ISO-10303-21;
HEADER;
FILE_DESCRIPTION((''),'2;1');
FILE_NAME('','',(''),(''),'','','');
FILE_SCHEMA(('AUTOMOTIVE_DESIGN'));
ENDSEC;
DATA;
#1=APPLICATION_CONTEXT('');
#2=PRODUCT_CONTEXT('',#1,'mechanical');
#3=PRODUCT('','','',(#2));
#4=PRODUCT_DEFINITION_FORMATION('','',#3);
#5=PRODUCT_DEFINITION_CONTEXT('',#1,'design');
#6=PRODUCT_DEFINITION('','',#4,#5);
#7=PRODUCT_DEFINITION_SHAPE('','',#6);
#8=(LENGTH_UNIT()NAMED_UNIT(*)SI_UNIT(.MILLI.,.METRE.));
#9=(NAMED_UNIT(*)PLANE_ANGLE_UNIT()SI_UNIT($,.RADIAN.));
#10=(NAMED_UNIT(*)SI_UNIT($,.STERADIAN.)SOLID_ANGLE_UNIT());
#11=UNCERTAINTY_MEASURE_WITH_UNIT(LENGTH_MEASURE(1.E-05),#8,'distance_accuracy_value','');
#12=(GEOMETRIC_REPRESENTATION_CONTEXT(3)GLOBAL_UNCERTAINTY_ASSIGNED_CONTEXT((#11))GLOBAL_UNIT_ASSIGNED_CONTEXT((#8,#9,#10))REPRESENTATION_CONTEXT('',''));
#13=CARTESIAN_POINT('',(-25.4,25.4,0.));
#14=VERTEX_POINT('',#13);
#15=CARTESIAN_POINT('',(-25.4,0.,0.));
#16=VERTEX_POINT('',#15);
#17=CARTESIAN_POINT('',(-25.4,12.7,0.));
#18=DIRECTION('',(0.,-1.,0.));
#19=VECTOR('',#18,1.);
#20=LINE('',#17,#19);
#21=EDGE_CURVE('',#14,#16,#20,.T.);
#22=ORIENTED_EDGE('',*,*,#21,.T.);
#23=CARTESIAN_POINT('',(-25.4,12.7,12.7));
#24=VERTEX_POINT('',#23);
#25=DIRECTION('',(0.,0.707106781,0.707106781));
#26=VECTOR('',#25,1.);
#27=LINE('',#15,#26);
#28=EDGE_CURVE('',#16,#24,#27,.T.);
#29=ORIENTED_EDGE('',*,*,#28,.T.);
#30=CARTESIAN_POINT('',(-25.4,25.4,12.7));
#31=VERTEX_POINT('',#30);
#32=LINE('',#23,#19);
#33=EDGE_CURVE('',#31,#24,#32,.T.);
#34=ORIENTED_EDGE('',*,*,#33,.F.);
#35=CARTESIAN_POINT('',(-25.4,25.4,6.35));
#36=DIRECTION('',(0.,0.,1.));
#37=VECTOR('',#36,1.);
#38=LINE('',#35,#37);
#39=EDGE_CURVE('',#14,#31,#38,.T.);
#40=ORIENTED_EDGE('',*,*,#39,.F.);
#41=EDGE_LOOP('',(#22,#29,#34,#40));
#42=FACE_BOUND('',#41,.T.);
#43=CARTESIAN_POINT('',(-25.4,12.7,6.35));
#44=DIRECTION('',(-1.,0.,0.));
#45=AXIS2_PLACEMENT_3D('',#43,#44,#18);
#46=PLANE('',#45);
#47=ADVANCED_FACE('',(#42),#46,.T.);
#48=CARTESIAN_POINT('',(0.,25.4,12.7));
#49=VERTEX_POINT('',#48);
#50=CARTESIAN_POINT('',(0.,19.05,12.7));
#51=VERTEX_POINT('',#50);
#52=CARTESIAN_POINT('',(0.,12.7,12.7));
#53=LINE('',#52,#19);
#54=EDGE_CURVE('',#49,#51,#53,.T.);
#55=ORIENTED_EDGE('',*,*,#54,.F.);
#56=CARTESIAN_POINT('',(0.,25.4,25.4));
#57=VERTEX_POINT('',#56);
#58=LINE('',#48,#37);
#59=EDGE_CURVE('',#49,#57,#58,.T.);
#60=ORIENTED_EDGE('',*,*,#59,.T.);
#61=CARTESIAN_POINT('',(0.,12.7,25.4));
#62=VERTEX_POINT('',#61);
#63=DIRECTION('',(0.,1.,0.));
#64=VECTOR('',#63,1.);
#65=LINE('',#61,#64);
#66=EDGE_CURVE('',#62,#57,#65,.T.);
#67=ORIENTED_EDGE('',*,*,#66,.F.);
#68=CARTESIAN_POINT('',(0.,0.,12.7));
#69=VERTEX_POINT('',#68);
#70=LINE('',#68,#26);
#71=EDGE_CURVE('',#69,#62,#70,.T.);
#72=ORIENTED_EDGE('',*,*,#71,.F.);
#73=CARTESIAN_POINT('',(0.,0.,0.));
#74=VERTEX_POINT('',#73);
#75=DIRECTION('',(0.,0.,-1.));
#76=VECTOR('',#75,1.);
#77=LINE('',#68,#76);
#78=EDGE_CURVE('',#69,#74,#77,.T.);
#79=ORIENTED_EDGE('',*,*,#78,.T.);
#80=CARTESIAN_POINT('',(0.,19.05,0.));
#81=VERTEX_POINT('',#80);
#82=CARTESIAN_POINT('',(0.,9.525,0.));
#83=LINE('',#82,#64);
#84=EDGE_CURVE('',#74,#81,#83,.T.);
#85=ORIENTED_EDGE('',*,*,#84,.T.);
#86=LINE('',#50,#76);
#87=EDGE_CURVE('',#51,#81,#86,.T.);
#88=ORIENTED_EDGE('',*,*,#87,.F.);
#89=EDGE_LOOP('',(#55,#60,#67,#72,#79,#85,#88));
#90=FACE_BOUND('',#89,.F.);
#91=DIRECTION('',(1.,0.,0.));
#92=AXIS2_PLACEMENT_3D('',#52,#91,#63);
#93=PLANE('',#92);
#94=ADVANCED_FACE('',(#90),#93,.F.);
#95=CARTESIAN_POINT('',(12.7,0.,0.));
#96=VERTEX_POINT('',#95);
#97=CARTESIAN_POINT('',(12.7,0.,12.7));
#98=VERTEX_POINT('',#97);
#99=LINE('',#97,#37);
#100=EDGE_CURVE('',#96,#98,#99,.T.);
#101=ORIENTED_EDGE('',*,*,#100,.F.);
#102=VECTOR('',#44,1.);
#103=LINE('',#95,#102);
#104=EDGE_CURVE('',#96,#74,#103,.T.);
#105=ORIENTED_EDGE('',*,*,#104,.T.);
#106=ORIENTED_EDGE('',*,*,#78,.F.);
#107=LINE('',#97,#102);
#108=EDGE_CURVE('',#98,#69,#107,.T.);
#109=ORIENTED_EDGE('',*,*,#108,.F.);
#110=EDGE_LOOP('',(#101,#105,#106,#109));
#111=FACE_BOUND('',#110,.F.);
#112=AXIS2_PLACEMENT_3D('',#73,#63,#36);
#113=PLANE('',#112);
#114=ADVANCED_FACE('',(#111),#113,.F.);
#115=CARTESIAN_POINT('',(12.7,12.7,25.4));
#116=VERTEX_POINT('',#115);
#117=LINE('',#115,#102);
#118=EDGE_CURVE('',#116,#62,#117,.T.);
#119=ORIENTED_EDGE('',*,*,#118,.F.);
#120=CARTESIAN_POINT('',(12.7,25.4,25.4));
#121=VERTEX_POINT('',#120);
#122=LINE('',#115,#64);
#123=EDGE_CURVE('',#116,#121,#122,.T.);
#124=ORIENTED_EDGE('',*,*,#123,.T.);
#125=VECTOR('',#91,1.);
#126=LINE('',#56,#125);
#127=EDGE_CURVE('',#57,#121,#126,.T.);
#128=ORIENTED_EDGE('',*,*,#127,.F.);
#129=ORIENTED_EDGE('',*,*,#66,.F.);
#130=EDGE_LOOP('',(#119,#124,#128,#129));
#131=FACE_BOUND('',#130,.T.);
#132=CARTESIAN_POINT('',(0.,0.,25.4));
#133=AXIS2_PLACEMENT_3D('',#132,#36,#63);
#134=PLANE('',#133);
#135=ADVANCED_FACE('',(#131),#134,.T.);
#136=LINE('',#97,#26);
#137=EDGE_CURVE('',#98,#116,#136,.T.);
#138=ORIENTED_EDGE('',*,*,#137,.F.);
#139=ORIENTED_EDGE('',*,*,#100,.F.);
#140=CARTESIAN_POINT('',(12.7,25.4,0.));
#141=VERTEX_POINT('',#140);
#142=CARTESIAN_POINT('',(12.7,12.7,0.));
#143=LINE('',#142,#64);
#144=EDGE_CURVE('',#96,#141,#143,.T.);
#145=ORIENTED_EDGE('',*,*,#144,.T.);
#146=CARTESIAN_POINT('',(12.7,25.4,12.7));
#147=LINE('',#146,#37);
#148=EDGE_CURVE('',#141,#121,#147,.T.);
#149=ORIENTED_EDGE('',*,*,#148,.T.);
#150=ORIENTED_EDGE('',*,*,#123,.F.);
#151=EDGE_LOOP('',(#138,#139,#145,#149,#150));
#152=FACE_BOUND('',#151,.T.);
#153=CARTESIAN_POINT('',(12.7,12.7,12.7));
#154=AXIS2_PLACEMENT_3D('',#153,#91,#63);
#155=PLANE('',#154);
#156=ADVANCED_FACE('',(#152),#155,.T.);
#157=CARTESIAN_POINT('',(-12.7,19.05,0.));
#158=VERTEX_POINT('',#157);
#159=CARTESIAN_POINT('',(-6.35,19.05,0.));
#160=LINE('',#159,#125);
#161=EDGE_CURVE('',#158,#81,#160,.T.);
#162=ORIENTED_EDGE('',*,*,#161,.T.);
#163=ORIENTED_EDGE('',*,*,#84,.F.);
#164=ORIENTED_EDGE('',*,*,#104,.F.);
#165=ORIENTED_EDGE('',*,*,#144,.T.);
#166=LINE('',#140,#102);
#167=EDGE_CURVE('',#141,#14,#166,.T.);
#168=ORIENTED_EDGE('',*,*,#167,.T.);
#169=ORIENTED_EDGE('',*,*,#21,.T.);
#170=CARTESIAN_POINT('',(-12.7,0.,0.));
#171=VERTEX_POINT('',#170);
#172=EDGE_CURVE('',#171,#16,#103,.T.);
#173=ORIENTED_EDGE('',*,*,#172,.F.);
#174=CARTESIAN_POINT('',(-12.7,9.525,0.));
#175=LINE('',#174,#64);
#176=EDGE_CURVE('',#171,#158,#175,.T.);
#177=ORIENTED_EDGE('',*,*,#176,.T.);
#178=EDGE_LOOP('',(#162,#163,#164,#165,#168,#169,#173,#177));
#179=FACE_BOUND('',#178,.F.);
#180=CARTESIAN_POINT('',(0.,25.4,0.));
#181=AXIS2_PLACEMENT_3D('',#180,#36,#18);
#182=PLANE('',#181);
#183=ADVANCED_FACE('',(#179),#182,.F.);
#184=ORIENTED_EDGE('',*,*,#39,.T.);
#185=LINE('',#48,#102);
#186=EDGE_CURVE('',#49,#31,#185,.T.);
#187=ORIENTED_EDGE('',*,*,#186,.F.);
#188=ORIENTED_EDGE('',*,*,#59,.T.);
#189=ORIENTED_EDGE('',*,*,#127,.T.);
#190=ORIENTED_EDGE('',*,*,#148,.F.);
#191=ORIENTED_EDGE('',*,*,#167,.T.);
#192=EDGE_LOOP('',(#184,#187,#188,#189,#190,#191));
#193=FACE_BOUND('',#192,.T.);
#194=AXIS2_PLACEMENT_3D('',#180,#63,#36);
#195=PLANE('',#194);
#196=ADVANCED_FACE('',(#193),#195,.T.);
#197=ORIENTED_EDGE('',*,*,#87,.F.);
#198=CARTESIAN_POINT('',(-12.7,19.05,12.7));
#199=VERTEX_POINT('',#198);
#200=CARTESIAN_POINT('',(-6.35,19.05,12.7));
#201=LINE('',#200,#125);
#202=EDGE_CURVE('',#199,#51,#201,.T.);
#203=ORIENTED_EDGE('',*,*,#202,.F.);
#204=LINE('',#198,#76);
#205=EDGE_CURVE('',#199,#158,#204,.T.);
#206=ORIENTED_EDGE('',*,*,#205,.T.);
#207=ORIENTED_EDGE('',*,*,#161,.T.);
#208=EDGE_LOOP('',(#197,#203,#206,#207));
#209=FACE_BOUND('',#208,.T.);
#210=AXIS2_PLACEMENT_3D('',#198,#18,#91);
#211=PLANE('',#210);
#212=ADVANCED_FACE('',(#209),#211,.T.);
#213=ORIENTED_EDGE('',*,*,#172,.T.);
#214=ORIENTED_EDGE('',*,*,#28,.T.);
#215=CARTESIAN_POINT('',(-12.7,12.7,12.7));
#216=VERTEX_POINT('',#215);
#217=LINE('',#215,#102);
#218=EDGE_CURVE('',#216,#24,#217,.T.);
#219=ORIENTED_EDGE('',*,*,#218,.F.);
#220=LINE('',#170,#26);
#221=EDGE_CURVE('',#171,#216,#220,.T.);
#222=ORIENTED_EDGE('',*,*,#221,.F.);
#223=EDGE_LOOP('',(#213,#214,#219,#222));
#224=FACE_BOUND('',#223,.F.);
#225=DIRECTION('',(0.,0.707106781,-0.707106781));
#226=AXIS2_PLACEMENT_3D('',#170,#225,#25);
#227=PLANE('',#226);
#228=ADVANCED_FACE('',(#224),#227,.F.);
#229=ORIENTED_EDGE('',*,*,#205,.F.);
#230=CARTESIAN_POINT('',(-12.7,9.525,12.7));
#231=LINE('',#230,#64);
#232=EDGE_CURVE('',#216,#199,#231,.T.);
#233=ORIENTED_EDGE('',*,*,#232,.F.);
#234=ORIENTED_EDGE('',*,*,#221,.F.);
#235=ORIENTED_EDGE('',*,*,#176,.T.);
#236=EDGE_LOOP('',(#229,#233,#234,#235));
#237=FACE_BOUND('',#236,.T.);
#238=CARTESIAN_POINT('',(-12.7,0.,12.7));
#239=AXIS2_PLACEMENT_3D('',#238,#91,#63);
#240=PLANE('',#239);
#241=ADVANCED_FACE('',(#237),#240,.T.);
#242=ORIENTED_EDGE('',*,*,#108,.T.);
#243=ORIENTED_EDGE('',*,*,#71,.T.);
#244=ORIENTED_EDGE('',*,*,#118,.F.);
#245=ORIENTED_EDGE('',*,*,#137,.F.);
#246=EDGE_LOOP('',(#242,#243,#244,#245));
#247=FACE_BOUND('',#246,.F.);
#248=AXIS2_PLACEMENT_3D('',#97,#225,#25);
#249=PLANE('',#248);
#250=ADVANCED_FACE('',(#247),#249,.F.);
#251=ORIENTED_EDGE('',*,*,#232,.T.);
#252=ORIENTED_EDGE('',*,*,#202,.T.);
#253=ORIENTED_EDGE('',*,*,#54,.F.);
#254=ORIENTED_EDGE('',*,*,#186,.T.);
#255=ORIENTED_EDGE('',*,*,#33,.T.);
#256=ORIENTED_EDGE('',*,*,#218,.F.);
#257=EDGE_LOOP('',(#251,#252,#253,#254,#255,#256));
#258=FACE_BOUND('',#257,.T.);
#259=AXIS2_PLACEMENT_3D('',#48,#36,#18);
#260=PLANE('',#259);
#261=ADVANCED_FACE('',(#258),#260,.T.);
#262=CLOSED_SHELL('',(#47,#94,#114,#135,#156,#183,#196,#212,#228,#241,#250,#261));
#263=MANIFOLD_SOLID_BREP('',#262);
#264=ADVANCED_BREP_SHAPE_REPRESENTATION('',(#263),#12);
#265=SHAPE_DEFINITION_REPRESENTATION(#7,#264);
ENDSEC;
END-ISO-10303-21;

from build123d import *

# Parameters (mm, degrees)
F0_W     = 25.4
F0_H     = 25.4
F1_DEPTH = 12.7
F3_DEPTH = 12.7
F4_W     = 25.4
F4_H     = 12.7
F5_DEPTH = 25.4
F6_W     = 12.7
F6_H     = 19.05
F7_DEPTH = 12.7
F9_DEPTH = 12.7


with BuildPart() as f1:
    # F0 (on Right) → F1 (new body)
    with BuildSketch(Plane.YZ):
        with Locations((12.7, 12.7)):
            Rectangle(F0_W, F0_H)
    extrude(amount=F1_DEPTH)

    # F2 (on face) → F3 (cut)
    with BuildSketch(Plane.YZ.offset(12.7)):
        Polygon((12.7, 25.4), (0, 25.4), (0, 12.7), align=None)
    extrude(amount=-F3_DEPTH, mode=Mode.SUBTRACT)

    # F4 (on face) → F5 (join)
    with BuildSketch(Plane(origin=(0, 0, 0), x_dir=(0, -1, 0), z_dir=(-1, 0, 0))):
        with Locations((-12.7, 6.35)):
            Rectangle(F4_W, F4_H)
    extrude(amount=F5_DEPTH)

    # F6 (on face) → F7 (cut)
    with BuildSketch(Plane.XY.offset(12.7)):
        with Locations((-6.35, 9.525)):
            Rectangle(F6_W, F6_H)
    extrude(amount=-F7_DEPTH, mode=Mode.SUBTRACT)

    # F8 (on face) → F9 (cut)
    with BuildSketch(Plane.YZ.offset(-12.7)):
        Polygon((12.7, 12.7), (0, 12.7), (0, 0), align=None)
    extrude(amount=-F9_DEPTH, mode=Mode.SUBTRACT)


solid = f1.part
